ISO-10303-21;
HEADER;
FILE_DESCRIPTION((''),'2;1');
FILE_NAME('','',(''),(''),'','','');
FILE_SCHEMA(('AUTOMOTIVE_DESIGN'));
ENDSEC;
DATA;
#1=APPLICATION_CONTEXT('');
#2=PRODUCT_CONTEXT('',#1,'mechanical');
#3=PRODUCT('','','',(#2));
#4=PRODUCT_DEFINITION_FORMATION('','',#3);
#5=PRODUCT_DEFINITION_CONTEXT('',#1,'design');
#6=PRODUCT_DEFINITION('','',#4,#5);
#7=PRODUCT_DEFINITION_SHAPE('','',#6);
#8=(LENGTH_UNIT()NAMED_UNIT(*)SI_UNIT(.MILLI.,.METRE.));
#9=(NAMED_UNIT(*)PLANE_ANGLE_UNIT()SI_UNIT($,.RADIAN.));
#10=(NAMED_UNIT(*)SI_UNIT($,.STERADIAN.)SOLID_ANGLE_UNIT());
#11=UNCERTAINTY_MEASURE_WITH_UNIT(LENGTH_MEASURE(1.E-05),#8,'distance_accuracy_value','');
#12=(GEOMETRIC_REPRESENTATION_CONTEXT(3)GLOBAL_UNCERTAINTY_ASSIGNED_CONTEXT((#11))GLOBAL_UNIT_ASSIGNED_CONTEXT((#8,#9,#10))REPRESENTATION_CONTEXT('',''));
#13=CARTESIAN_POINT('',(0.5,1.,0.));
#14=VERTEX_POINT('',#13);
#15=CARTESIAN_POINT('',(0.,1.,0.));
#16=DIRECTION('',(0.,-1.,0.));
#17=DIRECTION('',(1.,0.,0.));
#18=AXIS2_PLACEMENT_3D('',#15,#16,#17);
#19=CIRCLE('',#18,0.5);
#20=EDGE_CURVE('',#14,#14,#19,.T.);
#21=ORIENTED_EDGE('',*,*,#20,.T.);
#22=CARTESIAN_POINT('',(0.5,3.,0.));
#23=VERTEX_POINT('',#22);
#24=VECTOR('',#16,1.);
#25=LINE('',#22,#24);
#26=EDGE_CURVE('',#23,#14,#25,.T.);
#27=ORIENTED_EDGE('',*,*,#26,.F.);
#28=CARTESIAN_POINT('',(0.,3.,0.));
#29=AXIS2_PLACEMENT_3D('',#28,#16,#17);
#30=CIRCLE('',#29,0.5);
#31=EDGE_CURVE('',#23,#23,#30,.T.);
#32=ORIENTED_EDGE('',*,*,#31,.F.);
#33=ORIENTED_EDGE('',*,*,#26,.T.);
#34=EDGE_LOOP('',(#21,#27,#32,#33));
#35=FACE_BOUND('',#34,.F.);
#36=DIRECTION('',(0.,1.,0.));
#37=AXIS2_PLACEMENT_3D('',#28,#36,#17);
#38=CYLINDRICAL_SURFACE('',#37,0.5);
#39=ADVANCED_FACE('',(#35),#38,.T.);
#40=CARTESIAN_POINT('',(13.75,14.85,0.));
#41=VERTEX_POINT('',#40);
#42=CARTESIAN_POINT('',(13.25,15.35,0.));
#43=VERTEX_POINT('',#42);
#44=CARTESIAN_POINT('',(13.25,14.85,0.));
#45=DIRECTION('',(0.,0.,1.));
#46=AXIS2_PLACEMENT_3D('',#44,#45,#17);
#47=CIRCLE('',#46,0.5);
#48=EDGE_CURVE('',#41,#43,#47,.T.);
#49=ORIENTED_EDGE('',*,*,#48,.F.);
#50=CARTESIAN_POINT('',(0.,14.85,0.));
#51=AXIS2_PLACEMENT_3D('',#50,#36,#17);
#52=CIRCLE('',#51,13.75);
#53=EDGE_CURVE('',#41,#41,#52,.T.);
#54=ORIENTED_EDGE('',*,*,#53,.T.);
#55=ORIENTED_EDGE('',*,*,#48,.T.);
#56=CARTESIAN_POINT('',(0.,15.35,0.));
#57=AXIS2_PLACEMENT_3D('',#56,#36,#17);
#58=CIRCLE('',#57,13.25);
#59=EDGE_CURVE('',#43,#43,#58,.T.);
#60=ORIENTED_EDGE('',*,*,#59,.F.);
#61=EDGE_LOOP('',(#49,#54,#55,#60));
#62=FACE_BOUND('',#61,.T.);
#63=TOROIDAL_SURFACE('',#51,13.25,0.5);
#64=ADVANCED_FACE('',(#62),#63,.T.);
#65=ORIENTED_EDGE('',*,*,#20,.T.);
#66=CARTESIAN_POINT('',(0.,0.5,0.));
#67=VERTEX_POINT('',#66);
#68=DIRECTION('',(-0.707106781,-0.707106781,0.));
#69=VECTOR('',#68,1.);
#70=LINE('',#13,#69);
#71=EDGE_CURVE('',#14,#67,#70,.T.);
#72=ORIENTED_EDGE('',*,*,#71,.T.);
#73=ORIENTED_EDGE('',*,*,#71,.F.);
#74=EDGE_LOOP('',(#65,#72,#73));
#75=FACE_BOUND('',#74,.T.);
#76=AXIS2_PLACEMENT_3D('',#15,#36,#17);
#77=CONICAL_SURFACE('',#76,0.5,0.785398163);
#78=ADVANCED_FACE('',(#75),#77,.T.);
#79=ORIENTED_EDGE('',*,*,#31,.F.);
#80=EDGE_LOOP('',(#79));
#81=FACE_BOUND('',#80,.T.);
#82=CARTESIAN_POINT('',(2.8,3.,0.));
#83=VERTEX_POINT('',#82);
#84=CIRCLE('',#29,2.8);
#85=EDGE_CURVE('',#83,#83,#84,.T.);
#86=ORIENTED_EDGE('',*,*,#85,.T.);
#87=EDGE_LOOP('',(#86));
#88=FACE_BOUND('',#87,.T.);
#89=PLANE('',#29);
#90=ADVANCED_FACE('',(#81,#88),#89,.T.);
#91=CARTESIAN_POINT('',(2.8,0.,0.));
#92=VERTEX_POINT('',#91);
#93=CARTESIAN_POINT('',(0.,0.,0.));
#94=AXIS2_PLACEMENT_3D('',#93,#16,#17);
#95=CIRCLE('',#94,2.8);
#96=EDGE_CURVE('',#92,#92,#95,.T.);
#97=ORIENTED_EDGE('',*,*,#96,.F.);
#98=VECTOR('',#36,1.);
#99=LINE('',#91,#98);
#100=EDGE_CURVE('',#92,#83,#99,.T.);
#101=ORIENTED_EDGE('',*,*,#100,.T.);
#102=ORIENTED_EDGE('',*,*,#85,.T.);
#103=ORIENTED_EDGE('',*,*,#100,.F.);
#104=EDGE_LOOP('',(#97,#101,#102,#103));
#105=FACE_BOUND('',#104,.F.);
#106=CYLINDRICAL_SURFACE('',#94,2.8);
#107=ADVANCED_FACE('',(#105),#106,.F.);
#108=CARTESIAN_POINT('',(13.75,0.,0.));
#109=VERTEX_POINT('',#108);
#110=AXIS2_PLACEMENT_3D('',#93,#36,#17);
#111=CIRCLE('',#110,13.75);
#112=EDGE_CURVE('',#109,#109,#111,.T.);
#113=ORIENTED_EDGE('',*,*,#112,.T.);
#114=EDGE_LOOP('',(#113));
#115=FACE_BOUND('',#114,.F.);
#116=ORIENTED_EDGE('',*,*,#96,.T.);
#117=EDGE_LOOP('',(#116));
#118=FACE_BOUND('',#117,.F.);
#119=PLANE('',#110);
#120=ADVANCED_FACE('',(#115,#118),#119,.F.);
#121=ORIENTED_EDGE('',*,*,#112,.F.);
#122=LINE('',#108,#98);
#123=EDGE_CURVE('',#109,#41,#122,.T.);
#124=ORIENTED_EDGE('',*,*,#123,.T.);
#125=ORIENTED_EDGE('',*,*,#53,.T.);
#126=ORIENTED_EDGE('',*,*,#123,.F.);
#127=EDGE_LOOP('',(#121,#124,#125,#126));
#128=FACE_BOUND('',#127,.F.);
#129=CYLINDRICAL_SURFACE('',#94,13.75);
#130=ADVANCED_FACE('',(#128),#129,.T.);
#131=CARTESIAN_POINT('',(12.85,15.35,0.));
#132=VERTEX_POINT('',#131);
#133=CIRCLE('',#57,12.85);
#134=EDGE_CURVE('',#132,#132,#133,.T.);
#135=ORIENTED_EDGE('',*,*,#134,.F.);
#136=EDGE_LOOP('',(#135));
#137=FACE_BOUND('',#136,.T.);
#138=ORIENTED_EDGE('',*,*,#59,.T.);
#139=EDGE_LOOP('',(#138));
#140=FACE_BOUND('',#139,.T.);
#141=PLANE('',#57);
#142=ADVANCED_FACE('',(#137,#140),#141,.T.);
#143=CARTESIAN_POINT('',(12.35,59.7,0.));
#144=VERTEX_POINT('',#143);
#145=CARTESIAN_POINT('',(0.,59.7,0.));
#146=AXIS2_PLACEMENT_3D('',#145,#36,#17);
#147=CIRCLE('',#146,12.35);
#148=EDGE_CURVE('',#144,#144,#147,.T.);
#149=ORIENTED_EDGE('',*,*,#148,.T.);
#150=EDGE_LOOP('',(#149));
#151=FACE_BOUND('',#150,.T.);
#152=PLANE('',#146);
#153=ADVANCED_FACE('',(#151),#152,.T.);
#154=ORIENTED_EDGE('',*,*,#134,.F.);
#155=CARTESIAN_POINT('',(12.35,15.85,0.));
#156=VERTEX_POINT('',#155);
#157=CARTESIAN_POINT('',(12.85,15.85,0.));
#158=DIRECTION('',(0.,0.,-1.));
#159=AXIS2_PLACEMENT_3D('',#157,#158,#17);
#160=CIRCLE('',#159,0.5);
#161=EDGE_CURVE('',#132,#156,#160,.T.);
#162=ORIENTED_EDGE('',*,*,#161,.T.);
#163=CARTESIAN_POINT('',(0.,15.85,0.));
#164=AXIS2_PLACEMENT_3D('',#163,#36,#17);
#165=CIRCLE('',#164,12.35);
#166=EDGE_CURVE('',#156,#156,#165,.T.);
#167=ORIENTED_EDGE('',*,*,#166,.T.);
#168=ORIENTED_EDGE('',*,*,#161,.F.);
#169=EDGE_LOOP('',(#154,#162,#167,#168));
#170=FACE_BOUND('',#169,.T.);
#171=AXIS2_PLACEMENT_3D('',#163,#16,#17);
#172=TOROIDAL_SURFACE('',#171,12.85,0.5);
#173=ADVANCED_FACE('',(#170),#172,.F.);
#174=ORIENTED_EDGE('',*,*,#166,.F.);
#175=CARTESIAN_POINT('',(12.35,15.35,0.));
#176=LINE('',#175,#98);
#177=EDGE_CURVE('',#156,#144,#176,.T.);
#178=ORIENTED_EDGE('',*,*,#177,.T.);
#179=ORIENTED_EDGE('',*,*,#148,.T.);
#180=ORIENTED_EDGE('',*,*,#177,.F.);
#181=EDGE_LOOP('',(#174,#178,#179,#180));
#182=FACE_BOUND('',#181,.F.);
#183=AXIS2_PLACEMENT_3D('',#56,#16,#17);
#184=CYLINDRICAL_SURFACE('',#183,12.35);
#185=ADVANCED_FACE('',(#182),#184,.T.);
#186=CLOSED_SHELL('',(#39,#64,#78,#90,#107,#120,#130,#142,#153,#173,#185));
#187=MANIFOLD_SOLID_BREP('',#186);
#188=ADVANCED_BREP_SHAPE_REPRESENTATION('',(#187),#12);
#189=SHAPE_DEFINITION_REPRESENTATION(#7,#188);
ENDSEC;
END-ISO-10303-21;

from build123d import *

# Parameters (mm, degrees)
SKETCH1_R           = 13.75
BOSS_EXTRUDE1_DEPTH = 15.35
SKETCH2_R           = 12.35
BOSS_EXTRUDE2_DEPTH = 44.35
FILLET1_R           = 0.5
SKETCH3_R           = 2.8
CUT_EXTRUDE1_DEPTH  = 3
SKETCH4_R           = 0.5
BOSS_EXTRUDE3_DEPTH = 2.5
CHAMFER1_SIZE       = 0.5


with BuildPart() as part:
    # Sketch1 → Boss-Extrude1 (new body)
    with BuildSketch(Plane(origin=(0, 0, 0), x_dir=(1, 0, 0), z_dir=(0, 1, 0))):
        Circle(SKETCH1_R)
    extrude(amount=BOSS_EXTRUDE1_DEPTH)

    # Sketch2 → Boss-Extrude2 (add)
    with BuildSketch(Plane(origin=(0, 15.35, 0), x_dir=(1, 0, 0), z_dir=(0, 1, 0))):
        Circle(SKETCH2_R)
    extrude(amount=BOSS_EXTRUDE2_DEPTH)

    # Fillet1
    fillet1_edges = [part.edges().sort_by_distance(p)[0] for p in [
        (-13.75, 15.35, 0),
        (-12.35, 15.35, 0),
    ]]
    fillet(fillet1_edges, radius=FILLET1_R)

    # Sketch3 → Cut-Extrude1 (cut)
    with BuildSketch(Plane.XZ):
        Circle(SKETCH3_R)
    extrude(amount=-CUT_EXTRUDE1_DEPTH, mode=Mode.SUBTRACT)

    # Sketch4 → Boss-Extrude3 (add)
    with BuildSketch(Plane.XZ.offset(-3)):
        Circle(SKETCH4_R)
    extrude(amount=BOSS_EXTRUDE3_DEPTH)

    # Chamfer1
    chamfer1_edges = [part.edges().sort_by_distance(p)[0] for p in [
        (-0.5, 0.5, 0),
    ]]
    chamfer(chamfer1_edges, length=CHAMFER1_SIZE)


solid = part.part
